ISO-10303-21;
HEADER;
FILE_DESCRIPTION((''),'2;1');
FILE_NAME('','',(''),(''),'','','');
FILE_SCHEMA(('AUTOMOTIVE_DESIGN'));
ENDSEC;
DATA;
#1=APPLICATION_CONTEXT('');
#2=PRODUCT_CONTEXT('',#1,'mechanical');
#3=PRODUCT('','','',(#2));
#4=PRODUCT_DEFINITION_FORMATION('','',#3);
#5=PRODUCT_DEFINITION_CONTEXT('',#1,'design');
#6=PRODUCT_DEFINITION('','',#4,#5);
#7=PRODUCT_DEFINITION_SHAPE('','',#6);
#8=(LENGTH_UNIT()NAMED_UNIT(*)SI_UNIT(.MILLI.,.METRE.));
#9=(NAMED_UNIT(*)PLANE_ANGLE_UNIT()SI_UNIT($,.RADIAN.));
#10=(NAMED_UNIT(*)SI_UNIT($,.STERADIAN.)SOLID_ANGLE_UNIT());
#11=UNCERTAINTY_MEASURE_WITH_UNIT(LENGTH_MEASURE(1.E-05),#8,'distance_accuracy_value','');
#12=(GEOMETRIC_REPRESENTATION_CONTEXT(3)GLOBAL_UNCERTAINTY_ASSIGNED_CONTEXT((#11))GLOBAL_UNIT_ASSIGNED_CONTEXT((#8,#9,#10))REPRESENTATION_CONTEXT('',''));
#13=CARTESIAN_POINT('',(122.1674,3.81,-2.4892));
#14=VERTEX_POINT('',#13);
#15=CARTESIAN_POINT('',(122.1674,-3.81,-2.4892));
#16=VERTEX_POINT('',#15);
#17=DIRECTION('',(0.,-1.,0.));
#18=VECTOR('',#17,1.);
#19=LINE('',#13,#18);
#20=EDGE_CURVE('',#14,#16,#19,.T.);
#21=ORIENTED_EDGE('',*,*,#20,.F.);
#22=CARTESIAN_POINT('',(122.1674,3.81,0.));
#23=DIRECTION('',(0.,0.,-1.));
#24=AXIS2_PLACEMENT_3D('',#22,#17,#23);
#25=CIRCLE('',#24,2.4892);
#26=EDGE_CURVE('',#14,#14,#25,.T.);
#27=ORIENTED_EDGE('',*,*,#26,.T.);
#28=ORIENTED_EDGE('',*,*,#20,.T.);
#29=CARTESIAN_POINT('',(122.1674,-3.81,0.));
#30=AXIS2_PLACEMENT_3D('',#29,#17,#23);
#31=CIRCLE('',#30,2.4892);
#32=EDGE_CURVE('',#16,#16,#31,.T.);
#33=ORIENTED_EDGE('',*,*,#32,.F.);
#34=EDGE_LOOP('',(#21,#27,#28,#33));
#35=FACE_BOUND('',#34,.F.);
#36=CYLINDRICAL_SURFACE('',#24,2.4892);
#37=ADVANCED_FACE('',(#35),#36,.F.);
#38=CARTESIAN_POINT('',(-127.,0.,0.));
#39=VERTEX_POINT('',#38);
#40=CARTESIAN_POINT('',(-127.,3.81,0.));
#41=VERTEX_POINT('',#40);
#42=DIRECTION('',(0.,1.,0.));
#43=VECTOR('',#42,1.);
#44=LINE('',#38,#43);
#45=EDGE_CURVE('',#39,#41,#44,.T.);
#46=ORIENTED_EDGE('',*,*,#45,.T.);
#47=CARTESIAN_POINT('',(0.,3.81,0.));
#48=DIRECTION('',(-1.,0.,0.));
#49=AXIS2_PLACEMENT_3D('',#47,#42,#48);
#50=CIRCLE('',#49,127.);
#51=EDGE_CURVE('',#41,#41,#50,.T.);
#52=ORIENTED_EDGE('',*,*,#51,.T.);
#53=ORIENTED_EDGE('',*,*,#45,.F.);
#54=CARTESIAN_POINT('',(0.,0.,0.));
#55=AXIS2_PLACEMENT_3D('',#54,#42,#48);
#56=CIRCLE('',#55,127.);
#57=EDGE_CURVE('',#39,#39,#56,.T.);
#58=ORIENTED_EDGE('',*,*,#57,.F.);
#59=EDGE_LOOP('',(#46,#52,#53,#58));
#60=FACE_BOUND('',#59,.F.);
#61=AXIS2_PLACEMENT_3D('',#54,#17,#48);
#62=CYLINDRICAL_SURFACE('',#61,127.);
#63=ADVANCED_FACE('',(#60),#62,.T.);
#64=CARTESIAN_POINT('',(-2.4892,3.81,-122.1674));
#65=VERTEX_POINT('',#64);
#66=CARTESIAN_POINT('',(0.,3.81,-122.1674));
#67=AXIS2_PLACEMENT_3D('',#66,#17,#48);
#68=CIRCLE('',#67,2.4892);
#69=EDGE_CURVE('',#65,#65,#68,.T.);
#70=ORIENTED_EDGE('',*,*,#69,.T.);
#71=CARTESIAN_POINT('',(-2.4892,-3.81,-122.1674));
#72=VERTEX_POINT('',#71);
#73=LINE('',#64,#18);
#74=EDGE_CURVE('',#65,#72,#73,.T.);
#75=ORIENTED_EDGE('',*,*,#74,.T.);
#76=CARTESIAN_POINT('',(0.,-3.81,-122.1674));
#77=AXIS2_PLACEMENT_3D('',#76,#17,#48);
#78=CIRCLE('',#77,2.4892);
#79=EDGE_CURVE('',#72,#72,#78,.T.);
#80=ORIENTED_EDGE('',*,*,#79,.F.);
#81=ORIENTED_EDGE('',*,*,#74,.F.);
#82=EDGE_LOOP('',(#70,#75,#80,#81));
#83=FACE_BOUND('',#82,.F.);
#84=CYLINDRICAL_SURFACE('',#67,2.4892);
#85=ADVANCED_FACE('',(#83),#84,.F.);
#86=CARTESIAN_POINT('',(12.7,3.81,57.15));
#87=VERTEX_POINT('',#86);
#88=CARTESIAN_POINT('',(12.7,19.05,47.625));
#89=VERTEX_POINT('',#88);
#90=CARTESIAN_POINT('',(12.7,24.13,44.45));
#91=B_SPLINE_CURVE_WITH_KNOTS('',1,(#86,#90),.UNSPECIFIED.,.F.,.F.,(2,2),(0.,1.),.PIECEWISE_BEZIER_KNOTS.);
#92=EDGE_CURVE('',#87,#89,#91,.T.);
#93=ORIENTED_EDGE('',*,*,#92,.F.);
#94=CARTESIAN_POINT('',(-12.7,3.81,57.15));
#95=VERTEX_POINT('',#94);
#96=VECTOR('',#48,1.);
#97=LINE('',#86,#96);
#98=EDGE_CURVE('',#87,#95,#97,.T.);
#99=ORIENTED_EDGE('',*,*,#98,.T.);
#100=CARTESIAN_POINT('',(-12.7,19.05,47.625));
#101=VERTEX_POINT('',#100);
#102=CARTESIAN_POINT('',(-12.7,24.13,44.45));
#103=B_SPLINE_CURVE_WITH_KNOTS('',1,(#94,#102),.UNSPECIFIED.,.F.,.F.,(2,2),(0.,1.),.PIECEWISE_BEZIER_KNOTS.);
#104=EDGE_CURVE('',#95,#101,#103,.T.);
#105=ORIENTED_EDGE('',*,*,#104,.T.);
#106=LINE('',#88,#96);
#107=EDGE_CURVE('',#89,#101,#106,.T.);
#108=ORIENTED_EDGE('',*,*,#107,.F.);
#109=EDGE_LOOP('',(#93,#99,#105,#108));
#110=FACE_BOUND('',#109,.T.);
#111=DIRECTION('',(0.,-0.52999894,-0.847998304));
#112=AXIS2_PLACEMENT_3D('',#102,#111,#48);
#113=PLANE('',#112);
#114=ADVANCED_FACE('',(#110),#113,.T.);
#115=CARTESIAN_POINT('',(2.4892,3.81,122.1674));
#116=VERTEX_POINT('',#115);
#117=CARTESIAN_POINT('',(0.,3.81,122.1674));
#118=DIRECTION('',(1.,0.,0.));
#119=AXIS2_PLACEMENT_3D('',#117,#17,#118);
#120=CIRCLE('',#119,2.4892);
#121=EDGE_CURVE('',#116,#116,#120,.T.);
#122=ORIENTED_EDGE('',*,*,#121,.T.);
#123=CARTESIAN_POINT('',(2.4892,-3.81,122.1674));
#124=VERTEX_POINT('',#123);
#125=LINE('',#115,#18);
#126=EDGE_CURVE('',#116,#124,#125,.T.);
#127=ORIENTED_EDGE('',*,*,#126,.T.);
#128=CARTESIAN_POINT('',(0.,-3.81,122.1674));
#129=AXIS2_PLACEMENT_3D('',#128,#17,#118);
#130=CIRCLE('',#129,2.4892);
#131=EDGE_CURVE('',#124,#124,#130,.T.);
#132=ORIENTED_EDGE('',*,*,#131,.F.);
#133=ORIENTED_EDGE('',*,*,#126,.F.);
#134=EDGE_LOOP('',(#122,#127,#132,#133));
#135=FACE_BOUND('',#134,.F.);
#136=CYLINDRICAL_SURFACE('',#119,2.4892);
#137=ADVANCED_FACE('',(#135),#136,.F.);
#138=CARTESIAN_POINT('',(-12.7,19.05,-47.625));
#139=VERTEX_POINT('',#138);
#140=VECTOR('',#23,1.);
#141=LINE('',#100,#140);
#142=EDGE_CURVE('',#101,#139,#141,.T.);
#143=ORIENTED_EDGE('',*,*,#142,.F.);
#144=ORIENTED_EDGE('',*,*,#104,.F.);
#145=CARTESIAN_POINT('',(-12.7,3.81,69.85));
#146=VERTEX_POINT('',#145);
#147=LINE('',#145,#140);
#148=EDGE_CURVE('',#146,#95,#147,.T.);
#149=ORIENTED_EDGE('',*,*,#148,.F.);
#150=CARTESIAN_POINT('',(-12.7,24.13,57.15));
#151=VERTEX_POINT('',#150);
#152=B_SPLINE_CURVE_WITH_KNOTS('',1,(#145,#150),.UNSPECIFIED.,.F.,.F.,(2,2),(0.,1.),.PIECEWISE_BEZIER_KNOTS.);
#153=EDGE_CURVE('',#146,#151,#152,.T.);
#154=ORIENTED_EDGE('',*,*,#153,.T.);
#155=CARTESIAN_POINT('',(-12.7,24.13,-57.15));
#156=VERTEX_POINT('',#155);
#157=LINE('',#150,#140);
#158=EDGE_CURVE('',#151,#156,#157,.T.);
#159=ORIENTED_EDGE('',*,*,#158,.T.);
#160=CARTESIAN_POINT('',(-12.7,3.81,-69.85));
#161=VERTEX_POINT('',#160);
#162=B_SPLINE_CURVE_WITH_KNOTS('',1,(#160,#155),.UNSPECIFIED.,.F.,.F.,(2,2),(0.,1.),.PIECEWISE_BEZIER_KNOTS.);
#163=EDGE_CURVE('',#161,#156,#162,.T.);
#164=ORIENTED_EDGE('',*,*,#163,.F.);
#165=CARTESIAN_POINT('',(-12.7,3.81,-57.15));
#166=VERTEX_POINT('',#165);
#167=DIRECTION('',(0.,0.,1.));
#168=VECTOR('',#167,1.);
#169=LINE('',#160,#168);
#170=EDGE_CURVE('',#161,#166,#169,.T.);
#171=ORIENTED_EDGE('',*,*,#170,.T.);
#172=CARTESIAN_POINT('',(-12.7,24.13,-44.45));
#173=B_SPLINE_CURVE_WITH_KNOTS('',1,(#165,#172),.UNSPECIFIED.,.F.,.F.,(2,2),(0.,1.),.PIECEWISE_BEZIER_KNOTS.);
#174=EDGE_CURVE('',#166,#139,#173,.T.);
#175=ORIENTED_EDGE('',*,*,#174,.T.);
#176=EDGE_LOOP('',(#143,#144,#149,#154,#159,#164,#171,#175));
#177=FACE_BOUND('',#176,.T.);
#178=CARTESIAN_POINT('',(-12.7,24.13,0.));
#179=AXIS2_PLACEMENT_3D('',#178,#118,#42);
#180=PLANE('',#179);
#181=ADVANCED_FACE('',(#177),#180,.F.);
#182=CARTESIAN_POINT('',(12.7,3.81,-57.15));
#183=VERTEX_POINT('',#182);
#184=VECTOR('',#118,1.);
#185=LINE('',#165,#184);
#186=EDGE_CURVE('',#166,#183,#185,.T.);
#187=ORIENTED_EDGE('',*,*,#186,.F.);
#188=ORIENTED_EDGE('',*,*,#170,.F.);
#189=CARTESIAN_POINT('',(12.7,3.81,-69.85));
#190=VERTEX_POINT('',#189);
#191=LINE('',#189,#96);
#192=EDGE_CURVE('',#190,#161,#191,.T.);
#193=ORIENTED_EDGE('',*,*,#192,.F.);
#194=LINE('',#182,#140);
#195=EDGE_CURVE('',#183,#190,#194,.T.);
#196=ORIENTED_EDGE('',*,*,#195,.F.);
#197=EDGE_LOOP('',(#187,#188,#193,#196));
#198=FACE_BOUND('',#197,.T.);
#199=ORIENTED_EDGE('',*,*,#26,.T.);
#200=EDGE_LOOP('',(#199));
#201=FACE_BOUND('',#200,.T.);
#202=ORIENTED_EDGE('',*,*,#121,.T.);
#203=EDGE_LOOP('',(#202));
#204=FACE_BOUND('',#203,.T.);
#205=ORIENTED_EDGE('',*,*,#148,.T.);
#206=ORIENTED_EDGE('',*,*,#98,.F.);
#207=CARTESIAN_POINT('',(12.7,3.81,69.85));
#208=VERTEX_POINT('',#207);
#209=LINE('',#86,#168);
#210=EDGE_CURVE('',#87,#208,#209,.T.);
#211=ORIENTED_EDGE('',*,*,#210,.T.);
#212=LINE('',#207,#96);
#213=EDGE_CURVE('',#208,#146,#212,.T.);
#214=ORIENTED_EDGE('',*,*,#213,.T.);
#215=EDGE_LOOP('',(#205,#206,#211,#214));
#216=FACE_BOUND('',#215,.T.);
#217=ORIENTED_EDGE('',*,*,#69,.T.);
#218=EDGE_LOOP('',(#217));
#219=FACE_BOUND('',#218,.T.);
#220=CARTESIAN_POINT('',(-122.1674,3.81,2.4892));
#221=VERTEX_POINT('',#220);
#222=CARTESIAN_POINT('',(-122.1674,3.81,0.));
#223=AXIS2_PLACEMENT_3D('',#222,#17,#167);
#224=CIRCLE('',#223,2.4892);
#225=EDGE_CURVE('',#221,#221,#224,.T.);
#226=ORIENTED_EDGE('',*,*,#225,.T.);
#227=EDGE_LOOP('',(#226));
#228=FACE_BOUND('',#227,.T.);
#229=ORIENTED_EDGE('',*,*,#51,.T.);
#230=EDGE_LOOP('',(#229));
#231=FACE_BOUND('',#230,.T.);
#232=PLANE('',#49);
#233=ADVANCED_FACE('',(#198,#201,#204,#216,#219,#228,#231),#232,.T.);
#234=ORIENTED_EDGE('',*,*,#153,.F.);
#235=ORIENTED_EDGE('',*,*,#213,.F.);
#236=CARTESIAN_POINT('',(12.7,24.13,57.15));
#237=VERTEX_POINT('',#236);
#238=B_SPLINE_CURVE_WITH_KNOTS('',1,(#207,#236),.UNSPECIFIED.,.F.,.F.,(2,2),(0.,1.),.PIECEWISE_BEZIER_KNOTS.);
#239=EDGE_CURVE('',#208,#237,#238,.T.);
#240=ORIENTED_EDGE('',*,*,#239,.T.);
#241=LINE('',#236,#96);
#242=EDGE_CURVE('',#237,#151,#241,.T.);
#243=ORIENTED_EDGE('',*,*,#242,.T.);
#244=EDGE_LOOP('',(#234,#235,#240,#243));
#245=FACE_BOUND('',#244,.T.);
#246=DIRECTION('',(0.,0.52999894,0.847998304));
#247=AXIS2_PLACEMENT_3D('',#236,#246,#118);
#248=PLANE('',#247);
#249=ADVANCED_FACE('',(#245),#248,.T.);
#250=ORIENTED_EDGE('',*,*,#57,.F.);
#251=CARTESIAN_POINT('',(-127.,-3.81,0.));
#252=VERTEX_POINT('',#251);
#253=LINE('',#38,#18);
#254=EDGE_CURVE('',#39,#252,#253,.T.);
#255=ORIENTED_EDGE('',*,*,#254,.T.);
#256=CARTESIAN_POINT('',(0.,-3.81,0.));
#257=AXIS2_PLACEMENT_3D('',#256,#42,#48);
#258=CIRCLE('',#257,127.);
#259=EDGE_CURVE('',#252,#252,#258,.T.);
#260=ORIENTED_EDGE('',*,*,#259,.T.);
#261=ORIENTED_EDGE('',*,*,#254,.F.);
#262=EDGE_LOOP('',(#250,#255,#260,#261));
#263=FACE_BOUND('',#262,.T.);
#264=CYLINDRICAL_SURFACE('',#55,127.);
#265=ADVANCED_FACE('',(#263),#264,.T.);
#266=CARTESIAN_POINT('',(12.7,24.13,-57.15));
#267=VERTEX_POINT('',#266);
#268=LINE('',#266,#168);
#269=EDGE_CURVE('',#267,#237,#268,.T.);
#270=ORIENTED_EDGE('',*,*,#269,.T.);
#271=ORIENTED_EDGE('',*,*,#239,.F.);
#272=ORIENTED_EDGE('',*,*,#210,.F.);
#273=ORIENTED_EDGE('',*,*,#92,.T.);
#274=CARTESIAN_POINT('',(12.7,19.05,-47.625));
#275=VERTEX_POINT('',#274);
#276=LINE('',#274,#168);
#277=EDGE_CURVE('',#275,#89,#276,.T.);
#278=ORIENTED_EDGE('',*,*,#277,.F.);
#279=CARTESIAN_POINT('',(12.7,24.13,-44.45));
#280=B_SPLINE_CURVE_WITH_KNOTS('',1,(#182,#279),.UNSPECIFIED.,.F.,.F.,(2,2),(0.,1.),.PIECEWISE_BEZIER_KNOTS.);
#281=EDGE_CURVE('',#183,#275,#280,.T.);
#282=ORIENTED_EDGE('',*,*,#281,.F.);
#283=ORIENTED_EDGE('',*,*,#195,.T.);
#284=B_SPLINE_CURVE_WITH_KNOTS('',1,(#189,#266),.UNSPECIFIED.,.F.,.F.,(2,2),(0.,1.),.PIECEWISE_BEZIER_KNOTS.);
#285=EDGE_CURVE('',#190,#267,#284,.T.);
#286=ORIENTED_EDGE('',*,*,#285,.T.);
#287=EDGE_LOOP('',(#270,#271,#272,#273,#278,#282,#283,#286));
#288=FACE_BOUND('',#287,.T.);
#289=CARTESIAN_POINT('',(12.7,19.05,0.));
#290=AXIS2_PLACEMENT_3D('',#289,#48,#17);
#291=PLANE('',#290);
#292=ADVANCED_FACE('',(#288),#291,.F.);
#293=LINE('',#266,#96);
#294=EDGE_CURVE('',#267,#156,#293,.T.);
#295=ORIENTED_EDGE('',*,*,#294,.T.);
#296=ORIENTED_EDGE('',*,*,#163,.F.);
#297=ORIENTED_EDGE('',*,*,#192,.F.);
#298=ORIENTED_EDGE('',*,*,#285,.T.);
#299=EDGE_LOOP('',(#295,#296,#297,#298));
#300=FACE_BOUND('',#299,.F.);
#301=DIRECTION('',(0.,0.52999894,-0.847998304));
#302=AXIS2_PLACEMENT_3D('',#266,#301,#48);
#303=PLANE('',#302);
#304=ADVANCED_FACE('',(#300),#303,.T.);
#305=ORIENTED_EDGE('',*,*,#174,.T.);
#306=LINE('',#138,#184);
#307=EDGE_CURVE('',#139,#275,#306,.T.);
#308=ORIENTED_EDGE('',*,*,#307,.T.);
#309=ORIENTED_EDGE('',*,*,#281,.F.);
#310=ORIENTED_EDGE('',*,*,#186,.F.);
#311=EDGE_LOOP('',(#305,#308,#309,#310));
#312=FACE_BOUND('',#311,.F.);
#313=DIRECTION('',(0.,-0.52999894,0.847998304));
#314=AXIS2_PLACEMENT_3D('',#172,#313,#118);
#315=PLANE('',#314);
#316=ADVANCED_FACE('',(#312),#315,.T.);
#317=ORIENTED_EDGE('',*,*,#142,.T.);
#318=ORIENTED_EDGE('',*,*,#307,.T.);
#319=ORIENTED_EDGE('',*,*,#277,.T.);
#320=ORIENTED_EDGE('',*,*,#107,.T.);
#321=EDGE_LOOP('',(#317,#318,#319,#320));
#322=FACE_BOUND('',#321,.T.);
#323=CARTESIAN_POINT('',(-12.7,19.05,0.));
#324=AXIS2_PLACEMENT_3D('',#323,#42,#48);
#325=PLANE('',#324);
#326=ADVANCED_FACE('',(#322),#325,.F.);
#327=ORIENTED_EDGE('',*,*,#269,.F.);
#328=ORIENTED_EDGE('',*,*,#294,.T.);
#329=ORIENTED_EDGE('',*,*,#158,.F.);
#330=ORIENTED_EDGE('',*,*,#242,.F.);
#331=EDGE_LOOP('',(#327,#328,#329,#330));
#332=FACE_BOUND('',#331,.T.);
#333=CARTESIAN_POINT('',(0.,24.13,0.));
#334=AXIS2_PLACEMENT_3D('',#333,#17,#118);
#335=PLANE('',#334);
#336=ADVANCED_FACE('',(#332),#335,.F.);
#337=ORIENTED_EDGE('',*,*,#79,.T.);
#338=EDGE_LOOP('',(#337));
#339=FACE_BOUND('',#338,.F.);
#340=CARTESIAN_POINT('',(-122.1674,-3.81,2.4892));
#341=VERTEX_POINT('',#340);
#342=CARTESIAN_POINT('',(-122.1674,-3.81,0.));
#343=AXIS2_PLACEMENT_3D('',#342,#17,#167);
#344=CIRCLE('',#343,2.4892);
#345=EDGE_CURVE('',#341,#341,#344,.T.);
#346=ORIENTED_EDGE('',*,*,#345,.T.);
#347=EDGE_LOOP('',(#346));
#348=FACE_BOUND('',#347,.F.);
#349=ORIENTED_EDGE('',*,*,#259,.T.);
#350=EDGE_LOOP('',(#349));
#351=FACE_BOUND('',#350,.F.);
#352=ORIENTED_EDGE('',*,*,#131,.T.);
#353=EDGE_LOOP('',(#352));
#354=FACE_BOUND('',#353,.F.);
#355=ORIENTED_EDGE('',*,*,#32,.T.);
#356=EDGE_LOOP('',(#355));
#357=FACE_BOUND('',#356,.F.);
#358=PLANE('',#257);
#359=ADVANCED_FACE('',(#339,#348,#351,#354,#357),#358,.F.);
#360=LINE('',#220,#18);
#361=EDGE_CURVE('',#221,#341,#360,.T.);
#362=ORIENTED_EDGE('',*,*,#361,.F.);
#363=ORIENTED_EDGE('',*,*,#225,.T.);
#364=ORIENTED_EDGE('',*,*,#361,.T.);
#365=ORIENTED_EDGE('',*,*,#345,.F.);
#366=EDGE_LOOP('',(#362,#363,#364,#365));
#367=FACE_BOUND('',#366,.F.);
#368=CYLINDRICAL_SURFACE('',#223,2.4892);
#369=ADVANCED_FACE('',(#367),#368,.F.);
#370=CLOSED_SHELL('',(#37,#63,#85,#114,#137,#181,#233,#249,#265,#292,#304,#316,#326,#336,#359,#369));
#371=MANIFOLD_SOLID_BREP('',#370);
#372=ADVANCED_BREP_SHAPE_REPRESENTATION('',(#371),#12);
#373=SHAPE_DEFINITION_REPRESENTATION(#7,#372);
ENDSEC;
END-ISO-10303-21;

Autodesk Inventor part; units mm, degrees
ref_plane "YZ Plane" through (0, 0, 0) normal (1, 0, 0) x (0, 1, 0)
ref_plane "XZ Plane" through (0, 0, 0) normal (0, 1, 0) x (-1, 0, 0)
sketch "Sketch1" plane through (0, 0, 0) normal (0, 1, 0) x (-1, 0, 0)
  circle A0 centre (0, 0) radius 127
  dimension "d0" = 254
extrude "Extrusion1" add sketch "Sketch1" along normal mid plane 7.62
sketch "Sketch2" plane through (0, 3.81, 0) normal (0, 1, 0) x (1, 0, 0)
  line L0 (0, 0) -> (0, -63.5)
  line L1 (12.7, -69.85) -> (-12.7, -69.85)
  line L2 (-12.7, -69.85) -> (-12.7, -57.15)
  line L3 (-12.7, -57.15) -> (12.7, -57.15)
  line L4 (12.7, -57.15) -> (12.7, -69.85)
  line L5 (12.7, -69.85) -> (-12.7, -57.15) construction
  line L6 (-12.7, -69.85) -> (12.7, -57.15) construction
  dimension "d4" = 63.5
  dimension "d5" = 12.7
  dimension "d6" = 25.4
ref_plane "Work Plane1" through (0, 24.13, 0) normal (0, 1, 0) x (1, 0, 0)
sketch "Sketch3" plane through (0, 24.13, 0) normal (0, 1, 0) x (1, 0, 0)
  line L0 (0, 0) -> (0, -50.8)
  line L1 (12.7, -57.15) -> (-12.7, -57.15)
  line L2 (-12.7, -57.15) -> (-12.7, -44.45)
  line L3 (-12.7, -44.45) -> (12.7, -44.45)
  line L4 (12.7, -44.45) -> (12.7, -57.15)
  line L5 (12.7, -57.15) -> (-12.7, -44.45) construction
  line L6 (-12.7, -57.15) -> (12.7, -44.45) construction
  dimension "d8" = 50.8
  dimension "d9" = 12.7
  dimension "d10" = 25.4
loft "Loft1" add profiles "Sketch2", "Sketch3"
sketch "Sketch4" plane through (0, 0, 0) normal (0, 0, 1) x (1, 0, 0)
  line L0 (0, 0) -> (0, 24.13)
  line L1 (12.7, 24.13) -> (-12.7, 24.13) projected
  line L2 (0, 24.13) -> (0, 21.59)
  line L3 (-12.7, 19.05) -> (12.7, 19.05)
  line L4 (12.7, 19.05) -> (12.7, 24.13)
  line L5 (12.7, 24.13) -> (-12.7, 24.13)
  line L6 (-12.7, 24.13) -> (-12.7, 19.05)
  line L7 (-12.7, 19.05) -> (12.7, 24.13) construction
  line L8 (12.7, 19.05) -> (-12.7, 24.13) construction
  dimension "d15" = 2.54
  dimension "d16" = 25.4
extrude "Extrusion2" add sketch "Sketch4" along normal up to next
mirror "Mirror1" about plane through (0, 0, 0) normal (0, 0, 1) of "Loft1", "Extrusion2"
sketch "Sketch5" plane through (0, 3.81, 0) normal (0, 1, 0) x (1, 0, 0)
  line L0 (0, 0) -> (-122.1674, 0)
  dimension "d19" = 122.1674
hole "Hole1" at (-122.1674, 3.81, 0) direction (0, -1, 0) diameter 4.9784 depth 19.05 tip angle 118 thread size "1/4-20 UNC" class "2B" standard "ANSI Unified Screw Threads"
pattern_circular "Circular Pattern1" count 4 over 360 about axis through (0, -10, 0) along (0, 1, 0) of "Hole1"
properties part number "Avi Bay Lid" material "Steel, Alloy"
